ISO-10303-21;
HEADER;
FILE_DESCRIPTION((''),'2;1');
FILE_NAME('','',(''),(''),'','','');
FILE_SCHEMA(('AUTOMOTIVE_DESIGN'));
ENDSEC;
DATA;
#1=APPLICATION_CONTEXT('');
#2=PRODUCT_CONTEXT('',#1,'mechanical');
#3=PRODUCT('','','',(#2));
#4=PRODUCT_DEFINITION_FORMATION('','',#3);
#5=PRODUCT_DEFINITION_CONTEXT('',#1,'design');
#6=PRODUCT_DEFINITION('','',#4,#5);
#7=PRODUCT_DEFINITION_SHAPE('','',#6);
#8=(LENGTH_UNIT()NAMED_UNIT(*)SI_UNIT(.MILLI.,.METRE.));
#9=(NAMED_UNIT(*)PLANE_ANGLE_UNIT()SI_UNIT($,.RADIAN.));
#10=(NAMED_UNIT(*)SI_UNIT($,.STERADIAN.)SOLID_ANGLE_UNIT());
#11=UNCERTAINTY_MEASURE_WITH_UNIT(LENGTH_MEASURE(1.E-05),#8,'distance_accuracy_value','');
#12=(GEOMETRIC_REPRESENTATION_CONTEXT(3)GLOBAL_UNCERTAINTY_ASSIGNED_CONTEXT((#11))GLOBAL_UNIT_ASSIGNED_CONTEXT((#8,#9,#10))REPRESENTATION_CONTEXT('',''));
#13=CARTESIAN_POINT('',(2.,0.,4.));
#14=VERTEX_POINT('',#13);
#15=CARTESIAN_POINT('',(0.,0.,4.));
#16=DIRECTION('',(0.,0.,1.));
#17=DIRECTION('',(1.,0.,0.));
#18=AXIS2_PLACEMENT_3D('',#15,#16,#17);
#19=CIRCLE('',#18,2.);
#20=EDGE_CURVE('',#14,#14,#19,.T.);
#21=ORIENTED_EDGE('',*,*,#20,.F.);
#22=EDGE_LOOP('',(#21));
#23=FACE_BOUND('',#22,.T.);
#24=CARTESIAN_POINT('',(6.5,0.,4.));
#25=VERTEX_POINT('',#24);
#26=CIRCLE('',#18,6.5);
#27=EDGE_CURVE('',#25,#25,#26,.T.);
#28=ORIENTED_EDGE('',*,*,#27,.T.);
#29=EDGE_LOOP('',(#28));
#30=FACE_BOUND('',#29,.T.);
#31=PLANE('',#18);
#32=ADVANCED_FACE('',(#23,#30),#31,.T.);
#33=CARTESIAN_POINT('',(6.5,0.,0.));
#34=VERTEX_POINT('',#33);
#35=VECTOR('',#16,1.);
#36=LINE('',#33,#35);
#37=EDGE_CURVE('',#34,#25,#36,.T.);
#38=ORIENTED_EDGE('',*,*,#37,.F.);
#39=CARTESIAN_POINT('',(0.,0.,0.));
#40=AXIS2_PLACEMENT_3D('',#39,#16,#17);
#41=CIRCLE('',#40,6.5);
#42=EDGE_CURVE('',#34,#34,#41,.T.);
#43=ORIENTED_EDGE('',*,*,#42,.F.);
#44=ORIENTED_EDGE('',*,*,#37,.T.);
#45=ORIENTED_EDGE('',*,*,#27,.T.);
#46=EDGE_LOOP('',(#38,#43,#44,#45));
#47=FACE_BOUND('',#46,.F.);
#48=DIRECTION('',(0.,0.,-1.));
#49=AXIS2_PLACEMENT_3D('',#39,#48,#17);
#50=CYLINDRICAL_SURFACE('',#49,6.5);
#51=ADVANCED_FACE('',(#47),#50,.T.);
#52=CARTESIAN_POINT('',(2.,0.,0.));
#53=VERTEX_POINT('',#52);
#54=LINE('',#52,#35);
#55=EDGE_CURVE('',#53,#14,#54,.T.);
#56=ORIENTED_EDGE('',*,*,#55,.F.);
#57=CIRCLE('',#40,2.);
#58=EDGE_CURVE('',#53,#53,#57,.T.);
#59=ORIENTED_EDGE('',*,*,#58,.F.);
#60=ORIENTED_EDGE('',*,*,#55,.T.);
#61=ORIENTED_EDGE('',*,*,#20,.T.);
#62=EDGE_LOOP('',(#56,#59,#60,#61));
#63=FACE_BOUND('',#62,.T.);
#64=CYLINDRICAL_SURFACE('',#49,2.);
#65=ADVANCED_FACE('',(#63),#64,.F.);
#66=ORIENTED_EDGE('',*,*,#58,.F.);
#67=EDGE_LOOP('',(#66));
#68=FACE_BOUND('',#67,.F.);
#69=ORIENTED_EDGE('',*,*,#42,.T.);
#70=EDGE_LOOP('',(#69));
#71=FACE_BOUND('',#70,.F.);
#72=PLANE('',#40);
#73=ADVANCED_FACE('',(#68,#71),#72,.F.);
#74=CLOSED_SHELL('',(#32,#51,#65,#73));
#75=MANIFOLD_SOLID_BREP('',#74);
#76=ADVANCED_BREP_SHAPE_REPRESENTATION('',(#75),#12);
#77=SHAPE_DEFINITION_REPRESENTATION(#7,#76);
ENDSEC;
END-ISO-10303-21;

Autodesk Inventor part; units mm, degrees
ref_plane "YZ Plane" through (0, 0, 0) normal (1, 0, 0) x (0, 1, 0)
ref_plane "XZ Plane" through (0, 0, 0) normal (0, 1, 0) x (-1, 0, 0)
ref_plane "XY Plane" through (0, 0, 0) normal (0, 0, 1) x (1, 0, 0)
sketch "Sketch1" plane through (0, 0, 0) normal (0, 0, 1) x (1, 0, 0)
  circle A0 centre (0, 0) radius 6.5
  circle A1 centre (0, 0) radius 2
  dimension "d0" = 13
  dimension "d1" = 4
extrude "Extrusion1" add sketch "Sketch1" along normal blind 4
properties part number "Washer" material "ABS Plastic"
